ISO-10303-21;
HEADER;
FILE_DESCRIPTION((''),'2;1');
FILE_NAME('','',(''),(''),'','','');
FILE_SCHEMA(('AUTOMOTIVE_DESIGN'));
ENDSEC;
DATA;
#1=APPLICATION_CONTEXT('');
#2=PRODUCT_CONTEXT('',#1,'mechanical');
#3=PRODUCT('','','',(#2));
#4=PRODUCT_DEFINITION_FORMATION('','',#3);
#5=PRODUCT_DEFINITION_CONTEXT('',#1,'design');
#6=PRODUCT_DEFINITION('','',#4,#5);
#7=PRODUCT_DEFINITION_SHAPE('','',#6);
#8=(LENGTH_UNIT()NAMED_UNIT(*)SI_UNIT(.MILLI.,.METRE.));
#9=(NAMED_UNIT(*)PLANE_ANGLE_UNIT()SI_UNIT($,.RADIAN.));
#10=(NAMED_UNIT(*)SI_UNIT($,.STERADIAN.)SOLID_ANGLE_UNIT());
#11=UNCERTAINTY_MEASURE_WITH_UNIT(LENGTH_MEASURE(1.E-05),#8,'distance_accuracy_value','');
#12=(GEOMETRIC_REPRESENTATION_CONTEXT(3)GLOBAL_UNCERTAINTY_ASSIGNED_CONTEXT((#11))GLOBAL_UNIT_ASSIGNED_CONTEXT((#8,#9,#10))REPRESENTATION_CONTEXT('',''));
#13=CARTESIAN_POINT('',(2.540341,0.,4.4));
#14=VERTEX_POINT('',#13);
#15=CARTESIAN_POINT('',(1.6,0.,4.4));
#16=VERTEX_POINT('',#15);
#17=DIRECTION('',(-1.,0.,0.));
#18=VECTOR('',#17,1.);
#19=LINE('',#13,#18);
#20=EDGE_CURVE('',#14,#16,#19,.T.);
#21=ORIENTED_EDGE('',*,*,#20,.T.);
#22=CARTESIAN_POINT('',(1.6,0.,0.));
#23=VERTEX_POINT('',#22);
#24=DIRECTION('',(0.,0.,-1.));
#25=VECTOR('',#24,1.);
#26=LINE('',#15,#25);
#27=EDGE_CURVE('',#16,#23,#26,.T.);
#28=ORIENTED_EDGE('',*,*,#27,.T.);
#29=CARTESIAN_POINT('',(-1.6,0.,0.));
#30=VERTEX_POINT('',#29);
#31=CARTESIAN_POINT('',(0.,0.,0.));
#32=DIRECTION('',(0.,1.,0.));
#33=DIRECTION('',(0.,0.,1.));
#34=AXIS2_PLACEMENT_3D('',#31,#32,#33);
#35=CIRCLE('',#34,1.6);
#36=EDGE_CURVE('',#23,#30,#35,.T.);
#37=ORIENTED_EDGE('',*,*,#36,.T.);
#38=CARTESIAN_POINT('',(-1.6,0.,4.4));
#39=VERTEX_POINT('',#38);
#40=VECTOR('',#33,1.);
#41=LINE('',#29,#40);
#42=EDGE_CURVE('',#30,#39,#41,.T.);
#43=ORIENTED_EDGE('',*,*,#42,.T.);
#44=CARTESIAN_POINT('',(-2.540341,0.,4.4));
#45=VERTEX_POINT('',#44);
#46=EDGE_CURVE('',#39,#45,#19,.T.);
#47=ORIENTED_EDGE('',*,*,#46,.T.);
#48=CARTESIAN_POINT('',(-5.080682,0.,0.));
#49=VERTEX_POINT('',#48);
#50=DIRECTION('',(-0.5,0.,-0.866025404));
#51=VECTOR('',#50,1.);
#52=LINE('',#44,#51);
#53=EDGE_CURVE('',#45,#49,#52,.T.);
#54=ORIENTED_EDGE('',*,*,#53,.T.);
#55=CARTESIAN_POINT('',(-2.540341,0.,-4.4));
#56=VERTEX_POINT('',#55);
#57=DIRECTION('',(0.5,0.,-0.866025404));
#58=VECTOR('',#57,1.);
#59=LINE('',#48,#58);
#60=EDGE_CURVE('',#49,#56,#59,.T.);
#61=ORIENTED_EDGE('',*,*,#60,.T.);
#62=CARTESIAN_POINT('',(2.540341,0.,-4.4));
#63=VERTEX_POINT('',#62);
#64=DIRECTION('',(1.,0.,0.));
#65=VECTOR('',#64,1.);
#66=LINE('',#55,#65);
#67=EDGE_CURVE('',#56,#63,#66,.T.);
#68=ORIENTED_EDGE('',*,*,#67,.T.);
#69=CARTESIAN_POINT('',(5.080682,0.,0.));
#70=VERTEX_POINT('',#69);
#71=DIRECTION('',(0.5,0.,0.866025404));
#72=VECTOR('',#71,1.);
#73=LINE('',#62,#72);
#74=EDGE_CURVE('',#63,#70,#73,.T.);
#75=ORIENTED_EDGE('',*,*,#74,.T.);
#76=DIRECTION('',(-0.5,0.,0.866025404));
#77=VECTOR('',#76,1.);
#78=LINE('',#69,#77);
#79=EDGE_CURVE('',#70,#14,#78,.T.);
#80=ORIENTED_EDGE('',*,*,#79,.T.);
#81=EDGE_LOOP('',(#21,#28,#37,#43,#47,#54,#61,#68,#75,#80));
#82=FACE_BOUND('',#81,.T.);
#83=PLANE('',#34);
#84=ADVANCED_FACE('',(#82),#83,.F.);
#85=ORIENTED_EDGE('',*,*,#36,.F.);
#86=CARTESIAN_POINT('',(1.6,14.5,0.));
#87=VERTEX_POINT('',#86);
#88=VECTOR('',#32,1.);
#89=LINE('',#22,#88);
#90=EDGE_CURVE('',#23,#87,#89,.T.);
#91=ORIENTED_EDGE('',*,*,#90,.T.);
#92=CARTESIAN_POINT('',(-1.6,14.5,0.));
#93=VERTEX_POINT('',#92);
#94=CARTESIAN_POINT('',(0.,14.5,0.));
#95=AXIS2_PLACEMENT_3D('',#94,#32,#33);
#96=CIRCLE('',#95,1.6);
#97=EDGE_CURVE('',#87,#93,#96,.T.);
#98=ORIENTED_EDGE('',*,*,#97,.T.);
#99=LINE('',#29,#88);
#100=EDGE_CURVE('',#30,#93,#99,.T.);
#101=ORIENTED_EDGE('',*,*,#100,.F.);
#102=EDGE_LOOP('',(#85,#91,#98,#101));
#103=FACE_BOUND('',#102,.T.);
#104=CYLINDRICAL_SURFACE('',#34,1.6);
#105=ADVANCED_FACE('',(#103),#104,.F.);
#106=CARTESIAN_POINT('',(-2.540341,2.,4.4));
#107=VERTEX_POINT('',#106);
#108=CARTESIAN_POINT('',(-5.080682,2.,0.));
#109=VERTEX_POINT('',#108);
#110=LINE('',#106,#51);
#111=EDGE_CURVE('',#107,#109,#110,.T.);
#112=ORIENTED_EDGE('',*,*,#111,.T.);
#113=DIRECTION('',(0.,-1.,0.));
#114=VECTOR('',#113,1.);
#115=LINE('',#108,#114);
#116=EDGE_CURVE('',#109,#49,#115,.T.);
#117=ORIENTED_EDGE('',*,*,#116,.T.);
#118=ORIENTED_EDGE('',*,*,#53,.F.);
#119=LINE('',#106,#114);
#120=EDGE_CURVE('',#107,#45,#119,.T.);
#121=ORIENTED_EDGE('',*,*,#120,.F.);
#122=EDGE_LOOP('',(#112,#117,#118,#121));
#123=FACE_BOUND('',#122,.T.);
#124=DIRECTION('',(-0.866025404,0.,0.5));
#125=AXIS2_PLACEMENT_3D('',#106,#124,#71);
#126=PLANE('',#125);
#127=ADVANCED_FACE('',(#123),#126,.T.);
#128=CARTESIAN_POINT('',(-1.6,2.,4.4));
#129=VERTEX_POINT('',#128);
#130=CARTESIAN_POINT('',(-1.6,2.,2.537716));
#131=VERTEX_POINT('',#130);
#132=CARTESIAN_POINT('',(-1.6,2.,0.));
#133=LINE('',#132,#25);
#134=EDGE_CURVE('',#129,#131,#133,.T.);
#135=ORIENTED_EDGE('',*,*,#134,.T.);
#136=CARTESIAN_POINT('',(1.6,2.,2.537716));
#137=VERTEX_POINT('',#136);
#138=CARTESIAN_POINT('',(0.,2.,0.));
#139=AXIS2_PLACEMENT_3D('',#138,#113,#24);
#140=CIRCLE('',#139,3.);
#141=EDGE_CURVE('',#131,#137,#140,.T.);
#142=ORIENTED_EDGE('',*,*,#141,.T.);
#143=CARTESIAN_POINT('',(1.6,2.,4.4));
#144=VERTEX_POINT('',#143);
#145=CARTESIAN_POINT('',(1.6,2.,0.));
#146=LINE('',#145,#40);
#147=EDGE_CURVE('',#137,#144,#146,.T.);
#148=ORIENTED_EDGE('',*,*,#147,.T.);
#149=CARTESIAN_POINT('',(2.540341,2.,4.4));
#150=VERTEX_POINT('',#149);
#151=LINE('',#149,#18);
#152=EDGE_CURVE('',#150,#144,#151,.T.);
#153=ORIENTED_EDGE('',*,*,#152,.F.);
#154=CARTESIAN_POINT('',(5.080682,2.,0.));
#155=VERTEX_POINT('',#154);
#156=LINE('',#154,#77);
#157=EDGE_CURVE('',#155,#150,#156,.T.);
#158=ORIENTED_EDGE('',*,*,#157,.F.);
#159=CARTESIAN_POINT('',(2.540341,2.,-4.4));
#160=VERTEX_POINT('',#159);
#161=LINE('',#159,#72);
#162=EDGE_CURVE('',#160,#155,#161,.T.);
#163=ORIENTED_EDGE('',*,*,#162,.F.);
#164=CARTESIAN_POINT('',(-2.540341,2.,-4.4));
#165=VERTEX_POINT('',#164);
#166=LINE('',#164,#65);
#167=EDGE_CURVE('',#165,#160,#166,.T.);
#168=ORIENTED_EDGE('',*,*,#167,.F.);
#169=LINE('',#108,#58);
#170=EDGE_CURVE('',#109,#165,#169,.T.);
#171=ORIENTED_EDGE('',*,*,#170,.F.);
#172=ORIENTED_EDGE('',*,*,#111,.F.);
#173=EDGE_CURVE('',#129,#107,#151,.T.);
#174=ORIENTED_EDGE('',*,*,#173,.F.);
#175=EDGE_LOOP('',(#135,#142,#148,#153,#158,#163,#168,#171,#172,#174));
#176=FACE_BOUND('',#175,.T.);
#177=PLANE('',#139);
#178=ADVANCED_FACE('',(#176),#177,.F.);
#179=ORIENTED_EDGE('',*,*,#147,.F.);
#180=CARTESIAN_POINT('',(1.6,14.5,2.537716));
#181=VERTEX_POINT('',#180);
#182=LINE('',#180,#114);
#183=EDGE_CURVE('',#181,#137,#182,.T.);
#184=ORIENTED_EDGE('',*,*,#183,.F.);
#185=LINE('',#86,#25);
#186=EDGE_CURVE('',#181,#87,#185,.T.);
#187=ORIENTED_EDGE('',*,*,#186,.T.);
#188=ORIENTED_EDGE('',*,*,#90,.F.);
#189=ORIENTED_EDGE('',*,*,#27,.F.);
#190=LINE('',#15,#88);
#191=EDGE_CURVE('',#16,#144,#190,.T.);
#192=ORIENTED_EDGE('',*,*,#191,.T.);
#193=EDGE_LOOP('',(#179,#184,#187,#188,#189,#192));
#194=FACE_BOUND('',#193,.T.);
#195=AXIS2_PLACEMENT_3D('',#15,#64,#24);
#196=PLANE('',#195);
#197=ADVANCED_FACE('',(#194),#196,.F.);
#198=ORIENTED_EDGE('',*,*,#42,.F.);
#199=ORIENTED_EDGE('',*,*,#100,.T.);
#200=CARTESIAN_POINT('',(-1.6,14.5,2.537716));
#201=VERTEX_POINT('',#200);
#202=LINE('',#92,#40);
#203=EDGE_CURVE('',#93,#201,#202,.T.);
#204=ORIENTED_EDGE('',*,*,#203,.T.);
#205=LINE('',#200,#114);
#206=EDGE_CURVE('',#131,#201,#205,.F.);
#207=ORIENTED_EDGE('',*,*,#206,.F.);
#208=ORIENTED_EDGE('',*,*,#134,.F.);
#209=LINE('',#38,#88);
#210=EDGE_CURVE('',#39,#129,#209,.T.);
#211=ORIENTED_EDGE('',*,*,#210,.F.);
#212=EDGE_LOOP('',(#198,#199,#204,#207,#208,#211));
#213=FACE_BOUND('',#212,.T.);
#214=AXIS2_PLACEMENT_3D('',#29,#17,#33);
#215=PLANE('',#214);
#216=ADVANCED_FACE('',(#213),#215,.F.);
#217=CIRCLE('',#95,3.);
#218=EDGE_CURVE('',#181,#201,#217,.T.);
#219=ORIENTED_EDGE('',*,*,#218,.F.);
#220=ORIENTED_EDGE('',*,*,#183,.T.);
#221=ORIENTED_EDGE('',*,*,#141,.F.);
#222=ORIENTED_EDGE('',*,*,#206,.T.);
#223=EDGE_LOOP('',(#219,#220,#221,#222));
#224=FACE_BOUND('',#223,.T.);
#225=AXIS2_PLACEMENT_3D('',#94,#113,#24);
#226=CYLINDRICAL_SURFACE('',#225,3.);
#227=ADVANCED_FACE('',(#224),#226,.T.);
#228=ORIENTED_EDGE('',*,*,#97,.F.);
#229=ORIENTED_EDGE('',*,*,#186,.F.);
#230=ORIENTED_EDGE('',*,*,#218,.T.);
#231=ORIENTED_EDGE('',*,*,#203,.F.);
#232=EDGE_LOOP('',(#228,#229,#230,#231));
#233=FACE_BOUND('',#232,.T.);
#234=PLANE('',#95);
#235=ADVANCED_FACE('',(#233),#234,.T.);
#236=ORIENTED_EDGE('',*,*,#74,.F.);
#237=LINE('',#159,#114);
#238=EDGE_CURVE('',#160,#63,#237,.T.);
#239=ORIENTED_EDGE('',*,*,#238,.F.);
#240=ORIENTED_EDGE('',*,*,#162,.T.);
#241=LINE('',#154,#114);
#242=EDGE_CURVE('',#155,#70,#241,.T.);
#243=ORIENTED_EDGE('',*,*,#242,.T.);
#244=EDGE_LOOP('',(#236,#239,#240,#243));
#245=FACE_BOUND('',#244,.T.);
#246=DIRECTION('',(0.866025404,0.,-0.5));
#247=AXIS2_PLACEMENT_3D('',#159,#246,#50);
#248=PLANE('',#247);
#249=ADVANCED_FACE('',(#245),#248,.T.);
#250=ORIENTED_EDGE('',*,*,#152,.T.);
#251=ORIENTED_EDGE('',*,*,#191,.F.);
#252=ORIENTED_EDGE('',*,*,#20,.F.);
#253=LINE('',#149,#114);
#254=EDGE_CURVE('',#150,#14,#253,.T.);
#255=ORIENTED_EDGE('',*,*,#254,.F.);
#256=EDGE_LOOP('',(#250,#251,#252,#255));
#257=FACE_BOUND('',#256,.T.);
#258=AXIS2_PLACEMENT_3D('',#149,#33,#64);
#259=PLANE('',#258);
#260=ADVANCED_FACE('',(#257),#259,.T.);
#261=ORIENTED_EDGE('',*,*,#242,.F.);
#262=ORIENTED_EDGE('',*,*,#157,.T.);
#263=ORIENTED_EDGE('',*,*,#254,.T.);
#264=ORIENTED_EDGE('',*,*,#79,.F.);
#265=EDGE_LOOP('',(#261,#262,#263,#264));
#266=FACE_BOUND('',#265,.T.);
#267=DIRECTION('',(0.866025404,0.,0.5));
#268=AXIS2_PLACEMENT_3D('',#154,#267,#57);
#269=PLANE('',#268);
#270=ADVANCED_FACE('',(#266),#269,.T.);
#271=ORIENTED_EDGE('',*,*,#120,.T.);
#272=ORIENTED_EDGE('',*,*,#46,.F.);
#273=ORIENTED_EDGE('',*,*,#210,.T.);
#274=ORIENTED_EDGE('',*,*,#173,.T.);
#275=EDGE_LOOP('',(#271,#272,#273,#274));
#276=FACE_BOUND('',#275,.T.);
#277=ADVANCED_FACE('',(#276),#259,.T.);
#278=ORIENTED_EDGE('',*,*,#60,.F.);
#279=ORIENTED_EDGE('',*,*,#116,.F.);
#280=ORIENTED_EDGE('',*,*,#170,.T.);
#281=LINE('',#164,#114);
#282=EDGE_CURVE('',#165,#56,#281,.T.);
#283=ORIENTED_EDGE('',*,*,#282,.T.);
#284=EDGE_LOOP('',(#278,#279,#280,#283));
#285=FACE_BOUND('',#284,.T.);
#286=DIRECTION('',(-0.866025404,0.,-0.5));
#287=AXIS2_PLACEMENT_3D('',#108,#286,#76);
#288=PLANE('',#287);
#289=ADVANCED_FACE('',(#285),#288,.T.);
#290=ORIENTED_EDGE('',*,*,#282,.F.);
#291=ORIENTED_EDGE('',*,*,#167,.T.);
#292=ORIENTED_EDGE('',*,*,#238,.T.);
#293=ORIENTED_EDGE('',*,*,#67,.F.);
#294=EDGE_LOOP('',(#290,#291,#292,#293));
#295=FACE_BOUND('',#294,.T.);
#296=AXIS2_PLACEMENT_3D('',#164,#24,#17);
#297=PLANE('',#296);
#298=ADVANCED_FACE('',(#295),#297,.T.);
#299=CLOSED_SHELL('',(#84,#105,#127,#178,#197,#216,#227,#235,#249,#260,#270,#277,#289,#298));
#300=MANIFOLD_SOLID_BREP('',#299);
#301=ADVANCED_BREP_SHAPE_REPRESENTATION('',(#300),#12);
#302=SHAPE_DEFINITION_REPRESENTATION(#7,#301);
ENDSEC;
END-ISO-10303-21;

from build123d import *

# Parameters (mm, degrees)
SKETCH1_R               = 3
BOSS_EXTRUDE1_DEPTH     = 14.5
BOSS_EXTRUDE2_DEPTH     = 2
CUT_EXTRUDE1_DEPTH      = 16.981969007
CUT_EXTRUDE1_DEPTH_BACK = 16.981969007


with BuildPart() as part:
    # Sketch1 → Boss-Extrude1 (new body)
    with BuildSketch(Plane(origin=(0, 0, 0), x_dir=(1, 0, 0), z_dir=(0, 1, 0))):
        with Locations(Location((0, 0, 0), (0, 0, 90))):
            Circle(SKETCH1_R)
    extrude(amount=BOSS_EXTRUDE1_DEPTH)

    # Sketch3 → Boss-Extrude2 (add)
    with BuildSketch(Plane(origin=(0, 0, 0), x_dir=(-1, 0, 0), z_dir=(0, -1, 0))):
        Polygon((5.080682369, 0), (2.540341184, 4.4), (-2.540341184, 4.4), (-5.080682369, 0), (-2.540341184, -4.4), (2.540341184, -4.4), align=None)
    extrude(amount=-BOSS_EXTRUDE2_DEPTH)

    # Sketch4 → Cut-Extrude1 (cut, two sides: drawn at the far end of the back side and taken through both)
    with BuildSketch(Plane(origin=(0, 14.5, 0), x_dir=(1, 0, 0), z_dir=(0, 1, 0)).offset(-CUT_EXTRUDE1_DEPTH_BACK)):
        with BuildLine():
            Line((-1.6, 0), (-1.6, -4.4))
            Line((-1.6, -4.4), (1.6, -4.4))
            Line((1.6, -4.4), (1.6, 0))
            ThreePointArc((1.6, 0), (0, 1.6), (-1.6, 0))
        make_face()
    extrude(amount=CUT_EXTRUDE1_DEPTH + CUT_EXTRUDE1_DEPTH_BACK, mode=Mode.SUBTRACT)


solid = part.part
